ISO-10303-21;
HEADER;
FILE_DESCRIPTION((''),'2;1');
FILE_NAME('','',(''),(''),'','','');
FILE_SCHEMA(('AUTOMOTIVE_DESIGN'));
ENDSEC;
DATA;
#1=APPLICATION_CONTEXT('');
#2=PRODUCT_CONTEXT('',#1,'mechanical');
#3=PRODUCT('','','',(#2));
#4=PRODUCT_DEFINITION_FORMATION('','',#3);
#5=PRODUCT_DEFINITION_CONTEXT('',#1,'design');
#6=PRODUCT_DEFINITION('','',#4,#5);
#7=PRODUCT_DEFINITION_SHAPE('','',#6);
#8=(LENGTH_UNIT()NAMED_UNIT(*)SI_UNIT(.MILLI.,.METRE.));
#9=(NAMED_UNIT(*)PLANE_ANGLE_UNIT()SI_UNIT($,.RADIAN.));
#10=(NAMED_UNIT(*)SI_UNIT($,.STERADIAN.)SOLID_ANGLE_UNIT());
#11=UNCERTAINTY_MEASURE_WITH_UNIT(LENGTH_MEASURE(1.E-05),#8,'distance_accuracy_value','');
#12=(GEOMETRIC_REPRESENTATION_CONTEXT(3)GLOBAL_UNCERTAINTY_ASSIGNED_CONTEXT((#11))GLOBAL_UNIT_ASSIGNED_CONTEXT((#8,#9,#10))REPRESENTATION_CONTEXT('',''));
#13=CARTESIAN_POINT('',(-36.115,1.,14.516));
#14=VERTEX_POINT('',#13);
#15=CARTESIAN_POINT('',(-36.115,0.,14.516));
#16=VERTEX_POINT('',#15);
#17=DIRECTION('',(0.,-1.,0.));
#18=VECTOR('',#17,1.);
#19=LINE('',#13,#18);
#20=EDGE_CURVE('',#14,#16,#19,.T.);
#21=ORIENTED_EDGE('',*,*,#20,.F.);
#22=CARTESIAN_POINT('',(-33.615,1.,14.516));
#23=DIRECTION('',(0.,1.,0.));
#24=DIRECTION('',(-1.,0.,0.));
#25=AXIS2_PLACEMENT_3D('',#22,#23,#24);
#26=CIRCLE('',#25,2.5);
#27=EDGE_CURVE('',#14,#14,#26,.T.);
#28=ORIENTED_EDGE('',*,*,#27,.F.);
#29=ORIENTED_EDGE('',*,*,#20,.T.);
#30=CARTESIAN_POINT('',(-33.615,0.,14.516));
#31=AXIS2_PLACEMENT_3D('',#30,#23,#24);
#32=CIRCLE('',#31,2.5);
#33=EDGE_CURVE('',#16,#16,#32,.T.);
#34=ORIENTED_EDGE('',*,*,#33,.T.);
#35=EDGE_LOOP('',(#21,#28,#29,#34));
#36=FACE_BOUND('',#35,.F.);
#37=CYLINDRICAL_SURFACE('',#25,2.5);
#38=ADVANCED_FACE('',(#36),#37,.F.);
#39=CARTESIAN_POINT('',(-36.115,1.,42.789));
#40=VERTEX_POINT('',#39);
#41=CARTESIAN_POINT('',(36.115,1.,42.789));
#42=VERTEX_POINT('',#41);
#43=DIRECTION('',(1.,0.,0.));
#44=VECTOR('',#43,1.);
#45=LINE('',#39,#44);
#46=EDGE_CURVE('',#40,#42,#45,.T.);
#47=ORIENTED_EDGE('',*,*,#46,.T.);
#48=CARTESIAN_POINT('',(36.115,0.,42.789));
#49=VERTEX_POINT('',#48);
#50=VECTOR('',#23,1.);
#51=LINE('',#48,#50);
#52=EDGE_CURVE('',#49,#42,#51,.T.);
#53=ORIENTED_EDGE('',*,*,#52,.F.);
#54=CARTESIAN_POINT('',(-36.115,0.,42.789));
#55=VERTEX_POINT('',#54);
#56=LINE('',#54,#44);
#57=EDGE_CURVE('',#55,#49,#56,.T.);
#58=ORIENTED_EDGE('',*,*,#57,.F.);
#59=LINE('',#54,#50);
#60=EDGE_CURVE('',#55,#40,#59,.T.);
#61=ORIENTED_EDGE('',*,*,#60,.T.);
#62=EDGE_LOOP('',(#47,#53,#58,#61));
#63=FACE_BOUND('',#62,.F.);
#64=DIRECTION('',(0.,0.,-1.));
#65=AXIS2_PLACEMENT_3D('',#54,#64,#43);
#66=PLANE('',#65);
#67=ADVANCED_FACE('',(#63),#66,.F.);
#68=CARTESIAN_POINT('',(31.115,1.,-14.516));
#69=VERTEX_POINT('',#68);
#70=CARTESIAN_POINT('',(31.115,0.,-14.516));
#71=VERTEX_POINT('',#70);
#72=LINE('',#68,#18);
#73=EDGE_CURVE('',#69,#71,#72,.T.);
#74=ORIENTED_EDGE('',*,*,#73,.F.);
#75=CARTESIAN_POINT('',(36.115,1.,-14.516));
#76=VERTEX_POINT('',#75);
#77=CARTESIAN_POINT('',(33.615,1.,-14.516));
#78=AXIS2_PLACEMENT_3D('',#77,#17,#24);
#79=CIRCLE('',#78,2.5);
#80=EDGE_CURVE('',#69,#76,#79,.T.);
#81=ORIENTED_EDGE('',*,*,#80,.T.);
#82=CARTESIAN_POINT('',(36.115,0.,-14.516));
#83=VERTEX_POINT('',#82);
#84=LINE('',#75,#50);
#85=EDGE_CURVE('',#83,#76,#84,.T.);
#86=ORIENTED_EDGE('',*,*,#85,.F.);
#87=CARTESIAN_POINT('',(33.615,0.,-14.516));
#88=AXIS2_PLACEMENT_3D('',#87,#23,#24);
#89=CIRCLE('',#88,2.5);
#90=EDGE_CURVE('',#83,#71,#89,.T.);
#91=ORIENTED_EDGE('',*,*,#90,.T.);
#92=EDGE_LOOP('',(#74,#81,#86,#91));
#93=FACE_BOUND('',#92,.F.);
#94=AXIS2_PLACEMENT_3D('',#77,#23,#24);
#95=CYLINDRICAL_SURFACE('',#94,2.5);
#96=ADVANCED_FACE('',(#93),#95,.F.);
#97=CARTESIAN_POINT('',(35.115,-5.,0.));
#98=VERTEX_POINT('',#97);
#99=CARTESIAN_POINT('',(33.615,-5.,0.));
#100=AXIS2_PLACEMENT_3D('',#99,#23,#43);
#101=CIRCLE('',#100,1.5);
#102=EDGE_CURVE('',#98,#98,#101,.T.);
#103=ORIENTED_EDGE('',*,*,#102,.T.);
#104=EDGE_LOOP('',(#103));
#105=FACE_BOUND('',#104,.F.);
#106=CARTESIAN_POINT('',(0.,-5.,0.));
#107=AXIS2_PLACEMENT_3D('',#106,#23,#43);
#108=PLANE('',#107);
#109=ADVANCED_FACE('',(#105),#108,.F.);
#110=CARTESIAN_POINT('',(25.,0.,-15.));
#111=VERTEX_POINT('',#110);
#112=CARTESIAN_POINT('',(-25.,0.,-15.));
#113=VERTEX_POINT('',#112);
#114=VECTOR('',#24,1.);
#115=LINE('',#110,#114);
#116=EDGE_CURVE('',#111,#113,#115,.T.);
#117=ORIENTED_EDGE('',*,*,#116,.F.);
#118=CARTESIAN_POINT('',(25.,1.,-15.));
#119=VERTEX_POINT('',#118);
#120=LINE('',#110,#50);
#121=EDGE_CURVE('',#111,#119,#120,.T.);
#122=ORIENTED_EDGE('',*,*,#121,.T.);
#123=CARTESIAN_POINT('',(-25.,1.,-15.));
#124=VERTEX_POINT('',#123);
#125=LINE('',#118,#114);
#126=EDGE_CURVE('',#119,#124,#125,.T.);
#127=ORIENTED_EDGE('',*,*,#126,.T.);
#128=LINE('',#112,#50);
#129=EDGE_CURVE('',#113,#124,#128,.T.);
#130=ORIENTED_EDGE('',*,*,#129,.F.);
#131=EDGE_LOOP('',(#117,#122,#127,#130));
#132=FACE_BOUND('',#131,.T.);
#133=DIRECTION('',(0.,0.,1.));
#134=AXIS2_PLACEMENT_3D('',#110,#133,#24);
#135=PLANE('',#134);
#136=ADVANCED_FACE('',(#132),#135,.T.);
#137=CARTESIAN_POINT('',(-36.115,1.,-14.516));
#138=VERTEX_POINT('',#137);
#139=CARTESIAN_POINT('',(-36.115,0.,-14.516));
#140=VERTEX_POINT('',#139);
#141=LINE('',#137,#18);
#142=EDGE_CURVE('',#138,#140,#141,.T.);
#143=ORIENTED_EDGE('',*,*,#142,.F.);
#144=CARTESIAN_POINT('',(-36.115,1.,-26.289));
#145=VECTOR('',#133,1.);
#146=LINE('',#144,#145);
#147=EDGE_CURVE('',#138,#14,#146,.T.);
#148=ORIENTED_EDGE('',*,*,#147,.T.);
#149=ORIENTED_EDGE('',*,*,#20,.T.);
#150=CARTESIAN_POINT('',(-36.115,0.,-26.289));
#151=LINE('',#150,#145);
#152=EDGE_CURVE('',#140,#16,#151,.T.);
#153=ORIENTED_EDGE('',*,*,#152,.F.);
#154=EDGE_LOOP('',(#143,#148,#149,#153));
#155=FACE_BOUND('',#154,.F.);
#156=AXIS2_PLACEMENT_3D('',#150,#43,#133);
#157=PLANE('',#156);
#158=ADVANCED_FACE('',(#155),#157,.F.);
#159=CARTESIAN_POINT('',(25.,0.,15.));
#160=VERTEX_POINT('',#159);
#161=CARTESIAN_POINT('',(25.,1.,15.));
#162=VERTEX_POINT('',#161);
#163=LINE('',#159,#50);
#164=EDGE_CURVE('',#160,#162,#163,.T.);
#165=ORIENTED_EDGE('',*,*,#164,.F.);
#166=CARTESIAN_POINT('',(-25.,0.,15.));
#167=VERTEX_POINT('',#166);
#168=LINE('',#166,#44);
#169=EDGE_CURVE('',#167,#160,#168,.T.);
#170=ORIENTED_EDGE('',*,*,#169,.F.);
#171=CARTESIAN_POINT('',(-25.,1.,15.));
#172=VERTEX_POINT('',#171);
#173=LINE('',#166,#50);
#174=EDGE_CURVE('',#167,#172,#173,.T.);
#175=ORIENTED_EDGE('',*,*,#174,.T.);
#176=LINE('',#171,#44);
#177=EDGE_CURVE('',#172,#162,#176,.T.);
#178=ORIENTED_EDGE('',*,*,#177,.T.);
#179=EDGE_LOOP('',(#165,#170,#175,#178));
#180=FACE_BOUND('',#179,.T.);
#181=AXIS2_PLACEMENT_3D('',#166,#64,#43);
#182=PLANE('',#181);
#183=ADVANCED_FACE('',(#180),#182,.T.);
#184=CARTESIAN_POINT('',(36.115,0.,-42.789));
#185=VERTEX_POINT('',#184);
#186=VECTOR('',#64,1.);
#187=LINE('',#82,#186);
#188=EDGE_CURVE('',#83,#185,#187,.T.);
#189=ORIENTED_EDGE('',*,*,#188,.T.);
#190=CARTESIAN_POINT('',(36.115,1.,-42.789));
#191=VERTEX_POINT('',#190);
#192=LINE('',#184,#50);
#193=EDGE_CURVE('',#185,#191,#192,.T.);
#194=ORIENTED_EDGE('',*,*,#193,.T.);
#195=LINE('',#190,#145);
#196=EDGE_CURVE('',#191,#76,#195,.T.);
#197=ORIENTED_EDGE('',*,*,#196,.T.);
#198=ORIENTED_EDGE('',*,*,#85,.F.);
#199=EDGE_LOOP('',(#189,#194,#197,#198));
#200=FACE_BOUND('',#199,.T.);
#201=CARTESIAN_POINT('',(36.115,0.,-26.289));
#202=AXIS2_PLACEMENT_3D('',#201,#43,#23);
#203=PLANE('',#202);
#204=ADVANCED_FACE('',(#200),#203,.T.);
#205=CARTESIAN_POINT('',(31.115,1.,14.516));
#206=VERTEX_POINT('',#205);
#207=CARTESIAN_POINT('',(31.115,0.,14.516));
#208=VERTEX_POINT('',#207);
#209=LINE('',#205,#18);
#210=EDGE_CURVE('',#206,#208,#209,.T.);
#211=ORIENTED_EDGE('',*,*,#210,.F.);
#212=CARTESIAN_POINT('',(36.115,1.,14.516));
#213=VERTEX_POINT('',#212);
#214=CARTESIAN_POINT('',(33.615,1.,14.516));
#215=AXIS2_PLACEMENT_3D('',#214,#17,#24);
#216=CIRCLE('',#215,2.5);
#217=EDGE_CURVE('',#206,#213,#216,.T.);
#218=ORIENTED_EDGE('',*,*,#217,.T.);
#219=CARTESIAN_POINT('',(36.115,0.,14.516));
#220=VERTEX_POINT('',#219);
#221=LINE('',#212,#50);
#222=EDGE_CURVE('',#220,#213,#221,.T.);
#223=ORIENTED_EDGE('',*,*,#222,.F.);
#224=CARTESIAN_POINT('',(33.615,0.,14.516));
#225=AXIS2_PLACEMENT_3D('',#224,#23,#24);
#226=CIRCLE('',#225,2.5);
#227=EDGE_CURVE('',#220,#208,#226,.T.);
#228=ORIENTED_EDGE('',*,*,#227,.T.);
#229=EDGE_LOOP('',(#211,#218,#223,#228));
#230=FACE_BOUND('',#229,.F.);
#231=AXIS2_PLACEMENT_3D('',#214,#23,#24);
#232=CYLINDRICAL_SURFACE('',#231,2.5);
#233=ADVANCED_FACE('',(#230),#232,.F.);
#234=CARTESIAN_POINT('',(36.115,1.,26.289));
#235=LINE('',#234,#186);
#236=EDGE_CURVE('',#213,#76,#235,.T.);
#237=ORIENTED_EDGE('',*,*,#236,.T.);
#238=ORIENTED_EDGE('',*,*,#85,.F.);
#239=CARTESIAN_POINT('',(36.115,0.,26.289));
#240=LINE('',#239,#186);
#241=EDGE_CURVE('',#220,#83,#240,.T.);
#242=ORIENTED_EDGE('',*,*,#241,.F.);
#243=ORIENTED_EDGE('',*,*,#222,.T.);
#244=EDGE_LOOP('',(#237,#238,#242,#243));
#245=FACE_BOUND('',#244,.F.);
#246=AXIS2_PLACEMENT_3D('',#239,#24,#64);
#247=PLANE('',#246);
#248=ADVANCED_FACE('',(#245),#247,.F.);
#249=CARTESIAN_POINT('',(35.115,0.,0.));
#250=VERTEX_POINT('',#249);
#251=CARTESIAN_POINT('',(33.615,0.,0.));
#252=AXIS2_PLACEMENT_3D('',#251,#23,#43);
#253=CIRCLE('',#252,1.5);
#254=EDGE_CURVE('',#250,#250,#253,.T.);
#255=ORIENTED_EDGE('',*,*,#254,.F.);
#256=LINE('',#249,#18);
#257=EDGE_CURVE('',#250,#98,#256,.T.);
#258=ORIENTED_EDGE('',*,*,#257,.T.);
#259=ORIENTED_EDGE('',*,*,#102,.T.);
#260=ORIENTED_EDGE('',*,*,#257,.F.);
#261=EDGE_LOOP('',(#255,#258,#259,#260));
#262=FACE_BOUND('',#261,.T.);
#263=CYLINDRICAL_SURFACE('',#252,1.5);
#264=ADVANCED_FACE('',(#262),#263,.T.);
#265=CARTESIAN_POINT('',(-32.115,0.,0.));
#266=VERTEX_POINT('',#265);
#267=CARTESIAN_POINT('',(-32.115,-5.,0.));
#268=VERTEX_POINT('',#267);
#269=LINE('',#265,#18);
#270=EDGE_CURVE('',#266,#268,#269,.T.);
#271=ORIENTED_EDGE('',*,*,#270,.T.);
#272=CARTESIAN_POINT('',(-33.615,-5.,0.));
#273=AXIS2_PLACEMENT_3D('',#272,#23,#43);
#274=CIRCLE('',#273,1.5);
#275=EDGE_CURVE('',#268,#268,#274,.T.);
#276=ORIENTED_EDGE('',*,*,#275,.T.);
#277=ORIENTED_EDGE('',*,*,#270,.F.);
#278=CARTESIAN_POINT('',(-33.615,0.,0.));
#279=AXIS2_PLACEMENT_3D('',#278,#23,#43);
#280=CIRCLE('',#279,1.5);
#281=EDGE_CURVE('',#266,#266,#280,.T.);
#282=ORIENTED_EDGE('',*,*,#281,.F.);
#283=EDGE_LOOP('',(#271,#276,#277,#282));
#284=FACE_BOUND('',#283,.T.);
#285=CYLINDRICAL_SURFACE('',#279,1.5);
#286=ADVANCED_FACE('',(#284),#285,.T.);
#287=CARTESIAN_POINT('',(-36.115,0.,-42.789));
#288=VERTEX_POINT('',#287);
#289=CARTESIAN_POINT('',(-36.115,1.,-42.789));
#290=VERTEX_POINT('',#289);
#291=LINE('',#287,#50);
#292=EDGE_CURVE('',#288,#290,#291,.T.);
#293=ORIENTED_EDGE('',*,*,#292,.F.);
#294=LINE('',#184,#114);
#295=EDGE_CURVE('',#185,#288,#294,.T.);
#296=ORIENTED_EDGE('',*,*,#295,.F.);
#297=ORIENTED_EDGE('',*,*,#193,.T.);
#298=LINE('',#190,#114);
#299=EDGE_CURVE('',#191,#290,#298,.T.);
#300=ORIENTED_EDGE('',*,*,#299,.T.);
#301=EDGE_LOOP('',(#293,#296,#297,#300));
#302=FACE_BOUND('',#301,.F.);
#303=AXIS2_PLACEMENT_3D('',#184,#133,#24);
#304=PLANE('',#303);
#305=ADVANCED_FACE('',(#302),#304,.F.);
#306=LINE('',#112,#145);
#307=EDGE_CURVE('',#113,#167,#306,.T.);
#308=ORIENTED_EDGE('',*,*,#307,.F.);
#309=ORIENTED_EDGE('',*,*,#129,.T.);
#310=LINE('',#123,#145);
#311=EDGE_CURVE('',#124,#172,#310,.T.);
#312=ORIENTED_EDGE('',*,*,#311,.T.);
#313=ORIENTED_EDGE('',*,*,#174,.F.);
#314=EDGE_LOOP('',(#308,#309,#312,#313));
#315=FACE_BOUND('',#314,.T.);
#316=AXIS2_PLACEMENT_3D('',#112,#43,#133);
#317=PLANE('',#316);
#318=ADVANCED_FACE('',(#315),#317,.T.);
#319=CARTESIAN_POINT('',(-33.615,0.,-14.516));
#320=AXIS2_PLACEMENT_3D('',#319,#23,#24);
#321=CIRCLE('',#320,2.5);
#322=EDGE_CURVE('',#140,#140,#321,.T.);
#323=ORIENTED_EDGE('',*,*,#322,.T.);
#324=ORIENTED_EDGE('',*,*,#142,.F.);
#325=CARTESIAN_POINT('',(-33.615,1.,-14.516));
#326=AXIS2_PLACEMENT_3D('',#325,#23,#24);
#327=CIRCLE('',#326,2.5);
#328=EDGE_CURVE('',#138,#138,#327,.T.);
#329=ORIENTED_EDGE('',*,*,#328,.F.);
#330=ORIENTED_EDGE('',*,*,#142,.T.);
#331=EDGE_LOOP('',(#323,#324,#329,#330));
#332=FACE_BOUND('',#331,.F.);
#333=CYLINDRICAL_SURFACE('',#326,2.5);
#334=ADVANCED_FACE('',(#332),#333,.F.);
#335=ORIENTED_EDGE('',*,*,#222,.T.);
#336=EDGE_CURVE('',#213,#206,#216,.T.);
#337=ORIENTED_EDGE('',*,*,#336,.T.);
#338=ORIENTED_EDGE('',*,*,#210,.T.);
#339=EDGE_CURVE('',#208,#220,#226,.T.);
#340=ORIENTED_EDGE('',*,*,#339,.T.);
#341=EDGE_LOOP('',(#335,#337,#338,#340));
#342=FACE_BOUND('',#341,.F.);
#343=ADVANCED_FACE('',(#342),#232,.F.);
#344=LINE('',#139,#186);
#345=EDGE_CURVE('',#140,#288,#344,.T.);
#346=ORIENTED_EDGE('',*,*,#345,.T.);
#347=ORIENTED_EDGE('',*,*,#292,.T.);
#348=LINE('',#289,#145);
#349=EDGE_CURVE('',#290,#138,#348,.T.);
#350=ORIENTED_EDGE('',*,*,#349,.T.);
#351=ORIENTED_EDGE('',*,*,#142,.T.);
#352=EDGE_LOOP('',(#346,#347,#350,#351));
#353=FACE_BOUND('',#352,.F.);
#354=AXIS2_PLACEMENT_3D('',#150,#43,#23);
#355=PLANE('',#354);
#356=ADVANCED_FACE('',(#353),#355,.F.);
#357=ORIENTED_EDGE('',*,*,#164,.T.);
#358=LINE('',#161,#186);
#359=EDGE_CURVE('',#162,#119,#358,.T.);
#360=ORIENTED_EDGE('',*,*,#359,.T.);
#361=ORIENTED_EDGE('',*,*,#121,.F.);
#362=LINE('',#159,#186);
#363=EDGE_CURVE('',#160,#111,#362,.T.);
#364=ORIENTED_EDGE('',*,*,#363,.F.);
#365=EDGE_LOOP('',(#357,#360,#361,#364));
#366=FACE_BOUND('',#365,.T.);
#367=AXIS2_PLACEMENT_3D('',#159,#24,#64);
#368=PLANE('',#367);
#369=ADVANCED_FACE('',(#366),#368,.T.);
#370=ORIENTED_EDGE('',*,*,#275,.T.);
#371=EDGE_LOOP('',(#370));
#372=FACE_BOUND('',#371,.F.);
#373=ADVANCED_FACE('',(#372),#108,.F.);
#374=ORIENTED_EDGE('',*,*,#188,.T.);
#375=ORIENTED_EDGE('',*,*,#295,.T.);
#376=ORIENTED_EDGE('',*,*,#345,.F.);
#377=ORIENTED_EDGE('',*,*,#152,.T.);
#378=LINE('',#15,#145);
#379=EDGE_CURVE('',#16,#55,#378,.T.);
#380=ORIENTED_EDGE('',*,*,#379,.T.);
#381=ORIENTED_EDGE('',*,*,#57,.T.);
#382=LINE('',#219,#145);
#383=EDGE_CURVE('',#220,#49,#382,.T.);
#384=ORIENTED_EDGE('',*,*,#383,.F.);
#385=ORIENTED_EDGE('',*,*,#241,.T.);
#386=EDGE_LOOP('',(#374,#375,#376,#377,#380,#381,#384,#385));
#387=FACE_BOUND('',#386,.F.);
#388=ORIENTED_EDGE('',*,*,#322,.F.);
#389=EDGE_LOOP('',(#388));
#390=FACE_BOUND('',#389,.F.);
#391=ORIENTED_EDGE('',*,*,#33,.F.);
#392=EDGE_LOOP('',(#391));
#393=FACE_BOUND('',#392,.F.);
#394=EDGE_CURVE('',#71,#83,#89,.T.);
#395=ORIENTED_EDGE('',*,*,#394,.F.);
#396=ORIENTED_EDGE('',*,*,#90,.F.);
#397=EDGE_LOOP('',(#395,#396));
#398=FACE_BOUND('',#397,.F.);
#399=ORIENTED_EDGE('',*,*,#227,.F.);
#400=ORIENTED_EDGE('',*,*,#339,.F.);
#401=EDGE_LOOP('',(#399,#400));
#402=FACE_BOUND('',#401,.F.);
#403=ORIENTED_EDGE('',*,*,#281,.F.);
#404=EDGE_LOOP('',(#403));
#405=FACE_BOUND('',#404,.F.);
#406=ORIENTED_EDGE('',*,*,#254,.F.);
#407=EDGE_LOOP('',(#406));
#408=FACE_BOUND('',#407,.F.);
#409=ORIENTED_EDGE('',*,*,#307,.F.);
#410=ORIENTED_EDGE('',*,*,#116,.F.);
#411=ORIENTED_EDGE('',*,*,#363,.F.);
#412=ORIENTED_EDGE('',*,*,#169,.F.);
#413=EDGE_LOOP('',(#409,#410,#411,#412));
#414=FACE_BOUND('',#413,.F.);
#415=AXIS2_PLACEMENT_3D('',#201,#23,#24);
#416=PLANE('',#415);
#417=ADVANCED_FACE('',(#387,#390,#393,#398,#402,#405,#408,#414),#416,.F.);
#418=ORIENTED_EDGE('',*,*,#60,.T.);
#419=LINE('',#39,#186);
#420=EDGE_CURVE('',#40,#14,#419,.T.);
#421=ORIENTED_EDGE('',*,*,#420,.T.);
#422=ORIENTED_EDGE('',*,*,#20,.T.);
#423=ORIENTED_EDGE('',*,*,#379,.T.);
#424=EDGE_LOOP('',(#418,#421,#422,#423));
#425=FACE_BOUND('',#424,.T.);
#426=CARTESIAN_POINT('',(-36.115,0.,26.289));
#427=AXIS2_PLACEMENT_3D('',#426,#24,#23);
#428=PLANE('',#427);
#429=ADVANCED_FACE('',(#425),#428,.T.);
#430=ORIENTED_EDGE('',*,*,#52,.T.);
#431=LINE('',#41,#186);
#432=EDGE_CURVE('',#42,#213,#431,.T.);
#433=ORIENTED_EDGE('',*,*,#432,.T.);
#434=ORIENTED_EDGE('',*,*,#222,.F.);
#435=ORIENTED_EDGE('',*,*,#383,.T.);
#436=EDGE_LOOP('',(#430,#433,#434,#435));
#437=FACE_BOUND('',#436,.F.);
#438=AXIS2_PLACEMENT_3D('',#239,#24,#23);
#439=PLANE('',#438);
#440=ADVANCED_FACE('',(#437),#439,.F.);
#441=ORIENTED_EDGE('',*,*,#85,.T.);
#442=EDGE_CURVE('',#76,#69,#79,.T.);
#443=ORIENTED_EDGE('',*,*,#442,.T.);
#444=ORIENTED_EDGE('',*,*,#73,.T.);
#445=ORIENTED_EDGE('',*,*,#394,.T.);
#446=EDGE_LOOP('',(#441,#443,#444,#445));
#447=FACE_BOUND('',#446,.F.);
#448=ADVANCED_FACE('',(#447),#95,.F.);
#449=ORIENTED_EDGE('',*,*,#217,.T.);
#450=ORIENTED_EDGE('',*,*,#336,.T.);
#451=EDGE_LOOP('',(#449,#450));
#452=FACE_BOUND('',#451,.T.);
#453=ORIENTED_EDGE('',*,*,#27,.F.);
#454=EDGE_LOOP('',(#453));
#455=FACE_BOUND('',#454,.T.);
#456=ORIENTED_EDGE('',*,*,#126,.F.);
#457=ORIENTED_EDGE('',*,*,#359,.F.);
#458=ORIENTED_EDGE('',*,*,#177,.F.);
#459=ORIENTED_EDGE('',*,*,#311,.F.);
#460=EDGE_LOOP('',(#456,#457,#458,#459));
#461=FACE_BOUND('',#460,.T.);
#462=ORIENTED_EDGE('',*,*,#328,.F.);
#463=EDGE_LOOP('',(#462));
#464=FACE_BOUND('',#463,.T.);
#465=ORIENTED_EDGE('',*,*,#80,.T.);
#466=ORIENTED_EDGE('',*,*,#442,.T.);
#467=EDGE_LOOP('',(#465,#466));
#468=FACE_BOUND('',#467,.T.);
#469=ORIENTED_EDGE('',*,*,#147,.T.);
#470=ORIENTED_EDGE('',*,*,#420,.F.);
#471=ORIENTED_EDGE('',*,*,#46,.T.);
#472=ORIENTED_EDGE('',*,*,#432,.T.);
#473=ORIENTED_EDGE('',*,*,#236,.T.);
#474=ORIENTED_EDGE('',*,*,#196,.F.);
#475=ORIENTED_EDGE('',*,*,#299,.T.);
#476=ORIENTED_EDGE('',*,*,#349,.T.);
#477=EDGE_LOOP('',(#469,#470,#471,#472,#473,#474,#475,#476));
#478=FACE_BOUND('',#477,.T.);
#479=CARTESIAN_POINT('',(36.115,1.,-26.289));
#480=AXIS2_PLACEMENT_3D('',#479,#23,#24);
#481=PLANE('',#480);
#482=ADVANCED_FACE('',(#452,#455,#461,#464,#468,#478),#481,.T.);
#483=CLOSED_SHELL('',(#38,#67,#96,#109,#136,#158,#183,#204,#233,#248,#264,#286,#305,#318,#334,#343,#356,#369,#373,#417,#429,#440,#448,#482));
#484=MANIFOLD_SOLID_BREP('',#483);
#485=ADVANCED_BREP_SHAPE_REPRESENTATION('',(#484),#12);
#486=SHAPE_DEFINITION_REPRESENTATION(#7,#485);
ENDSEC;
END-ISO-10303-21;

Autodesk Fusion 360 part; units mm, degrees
sketch "Esquisse1" plane through (0, 0, 0) normal (0, 1, 0) x (1, 0, 0)
  line L0 (36.115, 26.289) -> (-36.115, 26.289)
  line L1 (-36.115, 26.289) -> (-36.115, -26.289)
  line L2 (-36.115, -26.289) -> (36.115, -26.289)
  line L3 (36.115, -26.289) -> (36.115, 26.289)
  line L4 (36.115, 26.289) -> (-36.115, -26.289) construction
  line L5 (-36.115, 26.289) -> (36.115, -26.289) construction
  line L6 (36.115, 0) -> (31.115, 0) construction
  circle A0 centre (33.615, 0) radius 1.5
  line L7 (33.615, 0) -> (33.615, -14.516) construction
  circle A1 centre (33.615, -14.516) radius 1.5
  circle A2 centre (33.615, 14.516) radius 1.5
  line L8 (0, 0) -> (0, -26.289) construction
  circle A3 centre (-33.615, -14.516) radius 1.5
  circle A4 centre (-33.615, 0) radius 1.5
  circle A5 centre (-33.615, 14.516) radius 1.5
  line L9 (25, 15) -> (-25, 15)
  line L10 (-25, 15) -> (-25, -15)
  line L11 (-25, -15) -> (25, -15)
  line L12 (25, -15) -> (25, 15)
  line L13 (25, 15) -> (-25, -15) construction
  line L14 (-25, 15) -> (25, -15) construction
  dimension "d1" = 72.23
  dimension "d2" = 52.578
  dimension "d5" = 5
  dimension "d6" = 3
  dimension "d7" = 14.516
  dimension "d8" = 3
  dimension "d9" = 50
  dimension "d10" = 30
extrude "Extrusion1" add sketch "Esquisse1" along normal blind 1 contours L0 L1 L2 L3 | A0 | A4
sketch "Sketch2" plane through (0, 1, 0) normal (0, 1, 0) x (-1, 0, 0)
  line L0 (-25, -15) -> (-25, 15)
  line L1 (-25, 15) -> (25, 15)
  line L2 (25, 15) -> (25, -15)
  line L3 (25, -15) -> (-25, -15)
  circle A0 centre (33.615, 14.516) radius 1.5
  circle A1 centre (33.615, -14.516) radius 1.5
  circle A2 centre (-33.615, -14.516) radius 1.5
  circle A3 centre (-33.615, 14.516) radius 1.5
  line L4 (-36.115, 26.289) -> (-36.115, -26.289)
  line L5 (-36.115, -26.289) -> (36.115, -26.289)
  line L6 (36.115, -26.289) -> (36.115, 26.289)
  line L7 (36.115, 26.289) -> (-36.115, 26.289)
  circle A4 centre (-33.615, 14.516) radius 2.5
  circle A5 centre (33.615, 14.516) radius 2.5
  circle A6 centre (33.615, -14.516) radius 2.5
  circle A7 centre (-33.615, -14.516) radius 2.5
  dimension "d13" = 5
  dimension "d14" = 5
  dimension "d15" = 5
  dimension "d16" = 5
extrude "Extrude3" cut sketch "Sketch2" against normal blind 1 contours A4 | A7 | A6 | A5
extrude "Extrude2" add sketch "Esquisse1" against normal blind 5 contours A0 | A4
extrude "Extrude4" add 1 faces at (-12.0383, 0.6667, 26.289) along direction (0, 0, 1) blind 16.5
extrude "Extrude5" add 1 faces at (12.0383, 0.6667, -26.289) along direction (0, 0, -1) blind 16.5
equation "d2 = 39.032 mm + ( 6.773 * 2 ) * 1 mm"
